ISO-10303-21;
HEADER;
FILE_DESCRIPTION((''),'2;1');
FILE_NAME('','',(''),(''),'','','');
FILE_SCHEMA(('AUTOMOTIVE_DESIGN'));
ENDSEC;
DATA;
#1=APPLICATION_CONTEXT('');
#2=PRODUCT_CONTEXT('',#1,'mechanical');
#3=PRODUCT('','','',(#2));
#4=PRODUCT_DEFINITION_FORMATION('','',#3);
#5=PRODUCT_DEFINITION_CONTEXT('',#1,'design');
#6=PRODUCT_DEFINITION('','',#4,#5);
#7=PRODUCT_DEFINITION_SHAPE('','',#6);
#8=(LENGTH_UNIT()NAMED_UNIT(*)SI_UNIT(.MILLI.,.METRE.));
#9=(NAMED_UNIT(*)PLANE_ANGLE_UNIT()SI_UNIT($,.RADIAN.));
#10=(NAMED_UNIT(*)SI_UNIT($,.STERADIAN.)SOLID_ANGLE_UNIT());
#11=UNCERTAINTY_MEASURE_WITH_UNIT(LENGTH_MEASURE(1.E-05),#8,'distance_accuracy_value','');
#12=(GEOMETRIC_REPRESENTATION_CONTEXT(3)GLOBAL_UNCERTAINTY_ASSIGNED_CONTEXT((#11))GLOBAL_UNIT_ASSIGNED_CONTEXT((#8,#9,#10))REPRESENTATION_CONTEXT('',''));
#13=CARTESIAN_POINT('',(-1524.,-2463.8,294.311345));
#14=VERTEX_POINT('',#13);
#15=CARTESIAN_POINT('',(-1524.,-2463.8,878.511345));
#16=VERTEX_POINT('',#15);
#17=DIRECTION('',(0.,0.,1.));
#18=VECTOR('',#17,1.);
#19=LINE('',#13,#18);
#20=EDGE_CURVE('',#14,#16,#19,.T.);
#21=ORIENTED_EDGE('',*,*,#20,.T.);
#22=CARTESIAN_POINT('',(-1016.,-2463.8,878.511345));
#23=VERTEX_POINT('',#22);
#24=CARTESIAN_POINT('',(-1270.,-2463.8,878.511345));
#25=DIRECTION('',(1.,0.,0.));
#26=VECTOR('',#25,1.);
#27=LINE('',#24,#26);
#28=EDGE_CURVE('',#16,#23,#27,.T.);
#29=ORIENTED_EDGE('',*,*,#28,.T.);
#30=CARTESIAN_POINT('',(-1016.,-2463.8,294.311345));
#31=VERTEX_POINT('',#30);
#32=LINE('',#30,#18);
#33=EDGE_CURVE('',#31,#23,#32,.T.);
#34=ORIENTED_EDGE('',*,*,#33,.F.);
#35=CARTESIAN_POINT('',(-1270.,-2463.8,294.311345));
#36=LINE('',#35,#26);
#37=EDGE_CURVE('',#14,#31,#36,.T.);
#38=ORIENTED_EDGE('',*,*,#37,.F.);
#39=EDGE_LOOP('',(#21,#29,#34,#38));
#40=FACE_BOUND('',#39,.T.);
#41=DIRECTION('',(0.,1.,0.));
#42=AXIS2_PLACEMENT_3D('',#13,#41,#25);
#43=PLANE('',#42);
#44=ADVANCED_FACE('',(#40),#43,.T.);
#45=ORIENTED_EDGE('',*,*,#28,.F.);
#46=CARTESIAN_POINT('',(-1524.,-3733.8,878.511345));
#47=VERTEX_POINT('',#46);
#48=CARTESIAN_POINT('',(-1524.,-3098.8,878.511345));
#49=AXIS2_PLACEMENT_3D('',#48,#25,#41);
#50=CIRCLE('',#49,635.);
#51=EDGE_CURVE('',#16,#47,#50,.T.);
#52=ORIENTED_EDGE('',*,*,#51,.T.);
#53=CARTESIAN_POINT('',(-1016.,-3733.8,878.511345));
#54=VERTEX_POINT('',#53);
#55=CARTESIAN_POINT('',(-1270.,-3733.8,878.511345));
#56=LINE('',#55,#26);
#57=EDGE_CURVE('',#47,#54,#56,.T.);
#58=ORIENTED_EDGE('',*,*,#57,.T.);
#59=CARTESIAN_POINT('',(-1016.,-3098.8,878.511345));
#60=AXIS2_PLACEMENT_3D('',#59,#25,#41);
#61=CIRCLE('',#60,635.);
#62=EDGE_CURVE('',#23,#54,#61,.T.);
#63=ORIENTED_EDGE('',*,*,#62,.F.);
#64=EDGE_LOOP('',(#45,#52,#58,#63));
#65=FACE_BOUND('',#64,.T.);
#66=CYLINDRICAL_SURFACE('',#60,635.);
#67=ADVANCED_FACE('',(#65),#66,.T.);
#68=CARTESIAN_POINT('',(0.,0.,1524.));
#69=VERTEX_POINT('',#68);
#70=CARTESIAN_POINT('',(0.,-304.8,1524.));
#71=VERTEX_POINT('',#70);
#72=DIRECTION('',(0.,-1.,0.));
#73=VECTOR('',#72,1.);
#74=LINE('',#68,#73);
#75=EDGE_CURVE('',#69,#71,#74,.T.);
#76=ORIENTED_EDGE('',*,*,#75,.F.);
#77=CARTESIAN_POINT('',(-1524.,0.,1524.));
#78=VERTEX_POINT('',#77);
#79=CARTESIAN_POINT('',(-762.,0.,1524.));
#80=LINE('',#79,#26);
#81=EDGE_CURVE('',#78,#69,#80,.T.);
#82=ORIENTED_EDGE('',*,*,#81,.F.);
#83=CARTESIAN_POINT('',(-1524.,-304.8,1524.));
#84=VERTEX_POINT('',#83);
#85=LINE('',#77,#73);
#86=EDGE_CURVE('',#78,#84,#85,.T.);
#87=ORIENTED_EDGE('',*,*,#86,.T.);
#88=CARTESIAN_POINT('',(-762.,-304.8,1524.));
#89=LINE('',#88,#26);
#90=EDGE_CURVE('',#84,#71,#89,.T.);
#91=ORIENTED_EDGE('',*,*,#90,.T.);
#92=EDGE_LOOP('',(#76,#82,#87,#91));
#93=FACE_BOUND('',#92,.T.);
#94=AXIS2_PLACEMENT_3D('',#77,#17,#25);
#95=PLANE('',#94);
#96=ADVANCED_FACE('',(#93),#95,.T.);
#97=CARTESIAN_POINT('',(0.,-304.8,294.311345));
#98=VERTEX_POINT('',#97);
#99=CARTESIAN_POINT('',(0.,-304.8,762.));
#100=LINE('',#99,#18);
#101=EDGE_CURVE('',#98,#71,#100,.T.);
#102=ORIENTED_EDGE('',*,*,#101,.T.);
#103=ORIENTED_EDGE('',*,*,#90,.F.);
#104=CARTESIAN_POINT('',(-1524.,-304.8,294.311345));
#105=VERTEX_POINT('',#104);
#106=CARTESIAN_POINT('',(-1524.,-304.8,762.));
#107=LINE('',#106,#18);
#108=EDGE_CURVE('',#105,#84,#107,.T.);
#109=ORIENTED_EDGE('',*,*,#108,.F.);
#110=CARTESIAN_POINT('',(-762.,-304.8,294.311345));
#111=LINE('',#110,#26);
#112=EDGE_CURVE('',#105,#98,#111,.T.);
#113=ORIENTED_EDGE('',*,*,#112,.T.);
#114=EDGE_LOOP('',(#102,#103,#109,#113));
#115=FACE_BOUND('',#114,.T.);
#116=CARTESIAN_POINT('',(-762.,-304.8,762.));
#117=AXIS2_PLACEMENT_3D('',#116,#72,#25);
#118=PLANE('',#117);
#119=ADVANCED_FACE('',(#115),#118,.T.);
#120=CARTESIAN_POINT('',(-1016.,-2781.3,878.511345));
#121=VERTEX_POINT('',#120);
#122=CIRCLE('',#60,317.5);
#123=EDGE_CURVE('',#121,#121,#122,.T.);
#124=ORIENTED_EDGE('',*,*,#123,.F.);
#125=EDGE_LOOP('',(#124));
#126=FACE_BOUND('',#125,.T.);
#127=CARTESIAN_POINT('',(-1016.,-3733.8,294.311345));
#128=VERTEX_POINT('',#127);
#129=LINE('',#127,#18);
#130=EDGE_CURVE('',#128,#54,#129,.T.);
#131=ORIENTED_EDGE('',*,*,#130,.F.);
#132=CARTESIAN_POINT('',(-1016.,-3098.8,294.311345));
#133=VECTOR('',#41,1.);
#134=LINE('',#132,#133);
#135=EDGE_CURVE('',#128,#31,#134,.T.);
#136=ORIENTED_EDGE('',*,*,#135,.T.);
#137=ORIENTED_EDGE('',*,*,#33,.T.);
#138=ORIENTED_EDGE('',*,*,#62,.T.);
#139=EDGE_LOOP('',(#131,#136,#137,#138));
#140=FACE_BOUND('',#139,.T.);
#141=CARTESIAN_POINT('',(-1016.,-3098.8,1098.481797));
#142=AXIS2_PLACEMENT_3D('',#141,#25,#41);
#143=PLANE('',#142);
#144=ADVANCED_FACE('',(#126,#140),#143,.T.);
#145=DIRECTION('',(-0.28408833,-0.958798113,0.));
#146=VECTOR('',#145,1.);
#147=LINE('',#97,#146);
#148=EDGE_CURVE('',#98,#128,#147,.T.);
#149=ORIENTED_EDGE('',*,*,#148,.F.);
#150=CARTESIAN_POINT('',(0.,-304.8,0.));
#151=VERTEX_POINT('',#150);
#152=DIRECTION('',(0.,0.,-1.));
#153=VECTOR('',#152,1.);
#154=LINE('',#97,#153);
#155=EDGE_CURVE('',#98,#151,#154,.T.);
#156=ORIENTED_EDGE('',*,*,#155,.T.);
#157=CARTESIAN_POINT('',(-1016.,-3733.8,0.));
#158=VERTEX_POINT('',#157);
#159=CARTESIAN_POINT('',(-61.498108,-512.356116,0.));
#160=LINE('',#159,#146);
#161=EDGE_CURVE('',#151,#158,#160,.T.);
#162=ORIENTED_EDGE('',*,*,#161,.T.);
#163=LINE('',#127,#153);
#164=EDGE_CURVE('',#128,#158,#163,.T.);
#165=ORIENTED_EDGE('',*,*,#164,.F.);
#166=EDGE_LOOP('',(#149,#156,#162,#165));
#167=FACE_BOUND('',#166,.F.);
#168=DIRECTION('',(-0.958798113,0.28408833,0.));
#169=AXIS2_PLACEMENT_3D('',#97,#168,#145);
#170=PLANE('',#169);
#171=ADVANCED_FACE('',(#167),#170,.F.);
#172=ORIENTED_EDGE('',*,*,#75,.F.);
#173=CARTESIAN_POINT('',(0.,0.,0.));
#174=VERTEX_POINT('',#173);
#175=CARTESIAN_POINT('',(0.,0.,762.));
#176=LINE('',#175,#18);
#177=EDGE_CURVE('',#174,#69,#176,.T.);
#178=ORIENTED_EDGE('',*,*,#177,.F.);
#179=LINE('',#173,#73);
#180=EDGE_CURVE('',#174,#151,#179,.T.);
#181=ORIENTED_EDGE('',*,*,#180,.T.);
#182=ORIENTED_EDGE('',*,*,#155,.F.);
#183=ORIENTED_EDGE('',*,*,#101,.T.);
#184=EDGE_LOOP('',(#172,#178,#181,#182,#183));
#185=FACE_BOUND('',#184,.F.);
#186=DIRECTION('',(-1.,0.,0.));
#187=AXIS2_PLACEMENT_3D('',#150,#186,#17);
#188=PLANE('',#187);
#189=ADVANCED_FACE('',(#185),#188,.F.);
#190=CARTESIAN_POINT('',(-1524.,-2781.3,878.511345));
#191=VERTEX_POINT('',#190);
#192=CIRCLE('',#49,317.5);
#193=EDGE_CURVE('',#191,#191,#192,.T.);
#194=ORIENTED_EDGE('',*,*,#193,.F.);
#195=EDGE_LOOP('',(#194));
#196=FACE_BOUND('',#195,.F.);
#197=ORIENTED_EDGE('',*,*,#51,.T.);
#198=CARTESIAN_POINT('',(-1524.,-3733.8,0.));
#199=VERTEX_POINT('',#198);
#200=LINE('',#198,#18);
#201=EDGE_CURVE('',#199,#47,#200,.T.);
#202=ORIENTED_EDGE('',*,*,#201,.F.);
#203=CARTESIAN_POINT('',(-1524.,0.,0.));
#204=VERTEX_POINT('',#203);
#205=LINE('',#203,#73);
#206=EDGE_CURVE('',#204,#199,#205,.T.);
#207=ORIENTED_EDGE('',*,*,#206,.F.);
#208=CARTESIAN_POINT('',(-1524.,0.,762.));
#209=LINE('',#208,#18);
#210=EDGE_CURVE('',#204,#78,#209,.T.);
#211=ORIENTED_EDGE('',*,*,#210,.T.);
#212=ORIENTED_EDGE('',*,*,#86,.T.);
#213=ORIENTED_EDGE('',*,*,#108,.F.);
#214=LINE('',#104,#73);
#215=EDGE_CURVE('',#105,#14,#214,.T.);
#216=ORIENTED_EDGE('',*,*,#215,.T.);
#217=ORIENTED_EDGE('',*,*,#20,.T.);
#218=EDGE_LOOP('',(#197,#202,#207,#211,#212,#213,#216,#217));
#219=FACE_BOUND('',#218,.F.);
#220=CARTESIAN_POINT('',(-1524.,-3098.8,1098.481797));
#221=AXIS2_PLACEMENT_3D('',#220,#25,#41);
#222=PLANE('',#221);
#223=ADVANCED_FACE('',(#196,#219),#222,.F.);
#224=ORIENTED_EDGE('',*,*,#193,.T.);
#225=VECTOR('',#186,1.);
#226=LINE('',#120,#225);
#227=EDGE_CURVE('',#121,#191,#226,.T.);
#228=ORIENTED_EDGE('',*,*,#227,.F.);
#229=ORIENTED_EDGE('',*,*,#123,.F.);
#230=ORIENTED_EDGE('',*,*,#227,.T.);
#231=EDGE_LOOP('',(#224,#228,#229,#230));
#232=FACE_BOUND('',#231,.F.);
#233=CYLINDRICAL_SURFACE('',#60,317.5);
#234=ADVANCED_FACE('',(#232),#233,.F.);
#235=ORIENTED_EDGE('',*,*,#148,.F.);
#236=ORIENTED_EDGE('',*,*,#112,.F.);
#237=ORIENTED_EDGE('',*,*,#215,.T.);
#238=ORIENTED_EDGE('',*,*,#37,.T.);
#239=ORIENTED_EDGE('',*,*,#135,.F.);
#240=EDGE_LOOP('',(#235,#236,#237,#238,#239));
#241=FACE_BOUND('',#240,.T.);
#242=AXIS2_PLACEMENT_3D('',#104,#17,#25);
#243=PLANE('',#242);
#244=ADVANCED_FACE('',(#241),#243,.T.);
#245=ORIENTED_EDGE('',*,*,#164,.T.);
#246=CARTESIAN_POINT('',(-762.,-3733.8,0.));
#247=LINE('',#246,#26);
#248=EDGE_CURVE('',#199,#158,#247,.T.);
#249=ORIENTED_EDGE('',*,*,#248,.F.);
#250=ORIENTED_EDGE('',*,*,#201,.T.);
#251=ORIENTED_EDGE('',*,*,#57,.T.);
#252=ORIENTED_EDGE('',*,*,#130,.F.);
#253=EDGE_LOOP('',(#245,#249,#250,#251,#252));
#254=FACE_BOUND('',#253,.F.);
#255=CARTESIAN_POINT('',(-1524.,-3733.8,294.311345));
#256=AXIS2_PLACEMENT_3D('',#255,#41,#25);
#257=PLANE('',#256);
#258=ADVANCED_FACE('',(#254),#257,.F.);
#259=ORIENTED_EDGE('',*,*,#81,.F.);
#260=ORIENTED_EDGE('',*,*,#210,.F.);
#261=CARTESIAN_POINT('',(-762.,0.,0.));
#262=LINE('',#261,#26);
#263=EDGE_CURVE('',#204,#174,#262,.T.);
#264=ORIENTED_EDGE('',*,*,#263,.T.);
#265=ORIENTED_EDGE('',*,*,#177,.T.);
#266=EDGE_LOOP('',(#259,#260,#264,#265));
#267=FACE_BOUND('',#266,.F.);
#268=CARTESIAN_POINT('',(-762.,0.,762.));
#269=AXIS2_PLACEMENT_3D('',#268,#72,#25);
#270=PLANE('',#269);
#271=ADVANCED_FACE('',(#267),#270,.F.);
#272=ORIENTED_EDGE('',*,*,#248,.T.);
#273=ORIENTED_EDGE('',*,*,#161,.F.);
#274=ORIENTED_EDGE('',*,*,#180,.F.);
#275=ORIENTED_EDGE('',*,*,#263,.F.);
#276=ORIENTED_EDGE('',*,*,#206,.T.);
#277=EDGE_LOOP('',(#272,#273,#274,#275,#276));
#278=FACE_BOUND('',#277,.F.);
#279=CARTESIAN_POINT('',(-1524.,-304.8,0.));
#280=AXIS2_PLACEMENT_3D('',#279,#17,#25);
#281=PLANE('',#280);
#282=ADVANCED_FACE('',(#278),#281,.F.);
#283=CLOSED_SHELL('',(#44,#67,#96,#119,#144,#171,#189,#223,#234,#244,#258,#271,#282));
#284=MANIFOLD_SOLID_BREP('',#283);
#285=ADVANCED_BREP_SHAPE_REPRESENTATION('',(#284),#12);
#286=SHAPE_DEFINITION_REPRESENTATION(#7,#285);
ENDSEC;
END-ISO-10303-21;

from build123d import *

# Parameters (mm, degrees)
F0_W      = 1524
F0_H      = 1524
F1_DEPTH  = 304.8
F2_W      = 1524
F2_H      = 294.3113446236
F3_DEPTH  = 3429
F6_DEPTH  = 84658.2
F4_W      = 508
F4_H      = 1270
F7_DEPTH  = 584.2
F9_DEPTH  = 508
F10_R     = 317.5
F11_DEPTH = 1270


with BuildPart() as f1:
    # F0 (on Front) → F1 (new body)
    with BuildSketch(Plane.XZ):
        with Locations((-762, 762)):
            Rectangle(F0_W, F0_H)
    extrude(amount=F1_DEPTH)

    # F2 (on face) → F3 (join)
    with BuildSketch(Plane.XZ.offset(304.8)):
        with Locations((-762, 147.1556723118)):
            Rectangle(F2_W, F2_H)
    extrude(amount=F3_DEPTH)

    # F5 (on face) → F6 (cut)
    with BuildSketch(Plane.XY.offset(294.3113446236)):
        Polygon((0, -304.8), (-1016, -3733.8), (0, -3733.8), align=None)
    extrude(amount=-F6_DEPTH, mode=Mode.SUBTRACT)

    # F4 (on face) → F7 (join)
    with BuildSketch(Plane.XY.offset(294.3113446236)):
        with Locations((-1270, -3098.8)):
            Rectangle(F4_W, F4_H)
    extrude(amount=F7_DEPTH)

    # F8 (on face) → F9 (join)
    with BuildSketch(Plane.YZ.offset(-1016)):
        with BuildLine():
            Line((-3733.8, 878.5113446236), (-2463.8, 878.5113446236))
            ThreePointArc((-2463.8, 878.5113446236), (-3098.8, 1513.5113446236), (-3733.8, 878.5113446236))
        make_face()
    extrude(amount=-F9_DEPTH)

    # F10 (on face) → F11 (cut)
    with BuildSketch(Plane.YZ.offset(-1016)):
        with Locations((-3098.8, 878.5113446236)):
            Circle(F10_R)
    extrude(amount=-F11_DEPTH, mode=Mode.SUBTRACT)


solid = f1.part
